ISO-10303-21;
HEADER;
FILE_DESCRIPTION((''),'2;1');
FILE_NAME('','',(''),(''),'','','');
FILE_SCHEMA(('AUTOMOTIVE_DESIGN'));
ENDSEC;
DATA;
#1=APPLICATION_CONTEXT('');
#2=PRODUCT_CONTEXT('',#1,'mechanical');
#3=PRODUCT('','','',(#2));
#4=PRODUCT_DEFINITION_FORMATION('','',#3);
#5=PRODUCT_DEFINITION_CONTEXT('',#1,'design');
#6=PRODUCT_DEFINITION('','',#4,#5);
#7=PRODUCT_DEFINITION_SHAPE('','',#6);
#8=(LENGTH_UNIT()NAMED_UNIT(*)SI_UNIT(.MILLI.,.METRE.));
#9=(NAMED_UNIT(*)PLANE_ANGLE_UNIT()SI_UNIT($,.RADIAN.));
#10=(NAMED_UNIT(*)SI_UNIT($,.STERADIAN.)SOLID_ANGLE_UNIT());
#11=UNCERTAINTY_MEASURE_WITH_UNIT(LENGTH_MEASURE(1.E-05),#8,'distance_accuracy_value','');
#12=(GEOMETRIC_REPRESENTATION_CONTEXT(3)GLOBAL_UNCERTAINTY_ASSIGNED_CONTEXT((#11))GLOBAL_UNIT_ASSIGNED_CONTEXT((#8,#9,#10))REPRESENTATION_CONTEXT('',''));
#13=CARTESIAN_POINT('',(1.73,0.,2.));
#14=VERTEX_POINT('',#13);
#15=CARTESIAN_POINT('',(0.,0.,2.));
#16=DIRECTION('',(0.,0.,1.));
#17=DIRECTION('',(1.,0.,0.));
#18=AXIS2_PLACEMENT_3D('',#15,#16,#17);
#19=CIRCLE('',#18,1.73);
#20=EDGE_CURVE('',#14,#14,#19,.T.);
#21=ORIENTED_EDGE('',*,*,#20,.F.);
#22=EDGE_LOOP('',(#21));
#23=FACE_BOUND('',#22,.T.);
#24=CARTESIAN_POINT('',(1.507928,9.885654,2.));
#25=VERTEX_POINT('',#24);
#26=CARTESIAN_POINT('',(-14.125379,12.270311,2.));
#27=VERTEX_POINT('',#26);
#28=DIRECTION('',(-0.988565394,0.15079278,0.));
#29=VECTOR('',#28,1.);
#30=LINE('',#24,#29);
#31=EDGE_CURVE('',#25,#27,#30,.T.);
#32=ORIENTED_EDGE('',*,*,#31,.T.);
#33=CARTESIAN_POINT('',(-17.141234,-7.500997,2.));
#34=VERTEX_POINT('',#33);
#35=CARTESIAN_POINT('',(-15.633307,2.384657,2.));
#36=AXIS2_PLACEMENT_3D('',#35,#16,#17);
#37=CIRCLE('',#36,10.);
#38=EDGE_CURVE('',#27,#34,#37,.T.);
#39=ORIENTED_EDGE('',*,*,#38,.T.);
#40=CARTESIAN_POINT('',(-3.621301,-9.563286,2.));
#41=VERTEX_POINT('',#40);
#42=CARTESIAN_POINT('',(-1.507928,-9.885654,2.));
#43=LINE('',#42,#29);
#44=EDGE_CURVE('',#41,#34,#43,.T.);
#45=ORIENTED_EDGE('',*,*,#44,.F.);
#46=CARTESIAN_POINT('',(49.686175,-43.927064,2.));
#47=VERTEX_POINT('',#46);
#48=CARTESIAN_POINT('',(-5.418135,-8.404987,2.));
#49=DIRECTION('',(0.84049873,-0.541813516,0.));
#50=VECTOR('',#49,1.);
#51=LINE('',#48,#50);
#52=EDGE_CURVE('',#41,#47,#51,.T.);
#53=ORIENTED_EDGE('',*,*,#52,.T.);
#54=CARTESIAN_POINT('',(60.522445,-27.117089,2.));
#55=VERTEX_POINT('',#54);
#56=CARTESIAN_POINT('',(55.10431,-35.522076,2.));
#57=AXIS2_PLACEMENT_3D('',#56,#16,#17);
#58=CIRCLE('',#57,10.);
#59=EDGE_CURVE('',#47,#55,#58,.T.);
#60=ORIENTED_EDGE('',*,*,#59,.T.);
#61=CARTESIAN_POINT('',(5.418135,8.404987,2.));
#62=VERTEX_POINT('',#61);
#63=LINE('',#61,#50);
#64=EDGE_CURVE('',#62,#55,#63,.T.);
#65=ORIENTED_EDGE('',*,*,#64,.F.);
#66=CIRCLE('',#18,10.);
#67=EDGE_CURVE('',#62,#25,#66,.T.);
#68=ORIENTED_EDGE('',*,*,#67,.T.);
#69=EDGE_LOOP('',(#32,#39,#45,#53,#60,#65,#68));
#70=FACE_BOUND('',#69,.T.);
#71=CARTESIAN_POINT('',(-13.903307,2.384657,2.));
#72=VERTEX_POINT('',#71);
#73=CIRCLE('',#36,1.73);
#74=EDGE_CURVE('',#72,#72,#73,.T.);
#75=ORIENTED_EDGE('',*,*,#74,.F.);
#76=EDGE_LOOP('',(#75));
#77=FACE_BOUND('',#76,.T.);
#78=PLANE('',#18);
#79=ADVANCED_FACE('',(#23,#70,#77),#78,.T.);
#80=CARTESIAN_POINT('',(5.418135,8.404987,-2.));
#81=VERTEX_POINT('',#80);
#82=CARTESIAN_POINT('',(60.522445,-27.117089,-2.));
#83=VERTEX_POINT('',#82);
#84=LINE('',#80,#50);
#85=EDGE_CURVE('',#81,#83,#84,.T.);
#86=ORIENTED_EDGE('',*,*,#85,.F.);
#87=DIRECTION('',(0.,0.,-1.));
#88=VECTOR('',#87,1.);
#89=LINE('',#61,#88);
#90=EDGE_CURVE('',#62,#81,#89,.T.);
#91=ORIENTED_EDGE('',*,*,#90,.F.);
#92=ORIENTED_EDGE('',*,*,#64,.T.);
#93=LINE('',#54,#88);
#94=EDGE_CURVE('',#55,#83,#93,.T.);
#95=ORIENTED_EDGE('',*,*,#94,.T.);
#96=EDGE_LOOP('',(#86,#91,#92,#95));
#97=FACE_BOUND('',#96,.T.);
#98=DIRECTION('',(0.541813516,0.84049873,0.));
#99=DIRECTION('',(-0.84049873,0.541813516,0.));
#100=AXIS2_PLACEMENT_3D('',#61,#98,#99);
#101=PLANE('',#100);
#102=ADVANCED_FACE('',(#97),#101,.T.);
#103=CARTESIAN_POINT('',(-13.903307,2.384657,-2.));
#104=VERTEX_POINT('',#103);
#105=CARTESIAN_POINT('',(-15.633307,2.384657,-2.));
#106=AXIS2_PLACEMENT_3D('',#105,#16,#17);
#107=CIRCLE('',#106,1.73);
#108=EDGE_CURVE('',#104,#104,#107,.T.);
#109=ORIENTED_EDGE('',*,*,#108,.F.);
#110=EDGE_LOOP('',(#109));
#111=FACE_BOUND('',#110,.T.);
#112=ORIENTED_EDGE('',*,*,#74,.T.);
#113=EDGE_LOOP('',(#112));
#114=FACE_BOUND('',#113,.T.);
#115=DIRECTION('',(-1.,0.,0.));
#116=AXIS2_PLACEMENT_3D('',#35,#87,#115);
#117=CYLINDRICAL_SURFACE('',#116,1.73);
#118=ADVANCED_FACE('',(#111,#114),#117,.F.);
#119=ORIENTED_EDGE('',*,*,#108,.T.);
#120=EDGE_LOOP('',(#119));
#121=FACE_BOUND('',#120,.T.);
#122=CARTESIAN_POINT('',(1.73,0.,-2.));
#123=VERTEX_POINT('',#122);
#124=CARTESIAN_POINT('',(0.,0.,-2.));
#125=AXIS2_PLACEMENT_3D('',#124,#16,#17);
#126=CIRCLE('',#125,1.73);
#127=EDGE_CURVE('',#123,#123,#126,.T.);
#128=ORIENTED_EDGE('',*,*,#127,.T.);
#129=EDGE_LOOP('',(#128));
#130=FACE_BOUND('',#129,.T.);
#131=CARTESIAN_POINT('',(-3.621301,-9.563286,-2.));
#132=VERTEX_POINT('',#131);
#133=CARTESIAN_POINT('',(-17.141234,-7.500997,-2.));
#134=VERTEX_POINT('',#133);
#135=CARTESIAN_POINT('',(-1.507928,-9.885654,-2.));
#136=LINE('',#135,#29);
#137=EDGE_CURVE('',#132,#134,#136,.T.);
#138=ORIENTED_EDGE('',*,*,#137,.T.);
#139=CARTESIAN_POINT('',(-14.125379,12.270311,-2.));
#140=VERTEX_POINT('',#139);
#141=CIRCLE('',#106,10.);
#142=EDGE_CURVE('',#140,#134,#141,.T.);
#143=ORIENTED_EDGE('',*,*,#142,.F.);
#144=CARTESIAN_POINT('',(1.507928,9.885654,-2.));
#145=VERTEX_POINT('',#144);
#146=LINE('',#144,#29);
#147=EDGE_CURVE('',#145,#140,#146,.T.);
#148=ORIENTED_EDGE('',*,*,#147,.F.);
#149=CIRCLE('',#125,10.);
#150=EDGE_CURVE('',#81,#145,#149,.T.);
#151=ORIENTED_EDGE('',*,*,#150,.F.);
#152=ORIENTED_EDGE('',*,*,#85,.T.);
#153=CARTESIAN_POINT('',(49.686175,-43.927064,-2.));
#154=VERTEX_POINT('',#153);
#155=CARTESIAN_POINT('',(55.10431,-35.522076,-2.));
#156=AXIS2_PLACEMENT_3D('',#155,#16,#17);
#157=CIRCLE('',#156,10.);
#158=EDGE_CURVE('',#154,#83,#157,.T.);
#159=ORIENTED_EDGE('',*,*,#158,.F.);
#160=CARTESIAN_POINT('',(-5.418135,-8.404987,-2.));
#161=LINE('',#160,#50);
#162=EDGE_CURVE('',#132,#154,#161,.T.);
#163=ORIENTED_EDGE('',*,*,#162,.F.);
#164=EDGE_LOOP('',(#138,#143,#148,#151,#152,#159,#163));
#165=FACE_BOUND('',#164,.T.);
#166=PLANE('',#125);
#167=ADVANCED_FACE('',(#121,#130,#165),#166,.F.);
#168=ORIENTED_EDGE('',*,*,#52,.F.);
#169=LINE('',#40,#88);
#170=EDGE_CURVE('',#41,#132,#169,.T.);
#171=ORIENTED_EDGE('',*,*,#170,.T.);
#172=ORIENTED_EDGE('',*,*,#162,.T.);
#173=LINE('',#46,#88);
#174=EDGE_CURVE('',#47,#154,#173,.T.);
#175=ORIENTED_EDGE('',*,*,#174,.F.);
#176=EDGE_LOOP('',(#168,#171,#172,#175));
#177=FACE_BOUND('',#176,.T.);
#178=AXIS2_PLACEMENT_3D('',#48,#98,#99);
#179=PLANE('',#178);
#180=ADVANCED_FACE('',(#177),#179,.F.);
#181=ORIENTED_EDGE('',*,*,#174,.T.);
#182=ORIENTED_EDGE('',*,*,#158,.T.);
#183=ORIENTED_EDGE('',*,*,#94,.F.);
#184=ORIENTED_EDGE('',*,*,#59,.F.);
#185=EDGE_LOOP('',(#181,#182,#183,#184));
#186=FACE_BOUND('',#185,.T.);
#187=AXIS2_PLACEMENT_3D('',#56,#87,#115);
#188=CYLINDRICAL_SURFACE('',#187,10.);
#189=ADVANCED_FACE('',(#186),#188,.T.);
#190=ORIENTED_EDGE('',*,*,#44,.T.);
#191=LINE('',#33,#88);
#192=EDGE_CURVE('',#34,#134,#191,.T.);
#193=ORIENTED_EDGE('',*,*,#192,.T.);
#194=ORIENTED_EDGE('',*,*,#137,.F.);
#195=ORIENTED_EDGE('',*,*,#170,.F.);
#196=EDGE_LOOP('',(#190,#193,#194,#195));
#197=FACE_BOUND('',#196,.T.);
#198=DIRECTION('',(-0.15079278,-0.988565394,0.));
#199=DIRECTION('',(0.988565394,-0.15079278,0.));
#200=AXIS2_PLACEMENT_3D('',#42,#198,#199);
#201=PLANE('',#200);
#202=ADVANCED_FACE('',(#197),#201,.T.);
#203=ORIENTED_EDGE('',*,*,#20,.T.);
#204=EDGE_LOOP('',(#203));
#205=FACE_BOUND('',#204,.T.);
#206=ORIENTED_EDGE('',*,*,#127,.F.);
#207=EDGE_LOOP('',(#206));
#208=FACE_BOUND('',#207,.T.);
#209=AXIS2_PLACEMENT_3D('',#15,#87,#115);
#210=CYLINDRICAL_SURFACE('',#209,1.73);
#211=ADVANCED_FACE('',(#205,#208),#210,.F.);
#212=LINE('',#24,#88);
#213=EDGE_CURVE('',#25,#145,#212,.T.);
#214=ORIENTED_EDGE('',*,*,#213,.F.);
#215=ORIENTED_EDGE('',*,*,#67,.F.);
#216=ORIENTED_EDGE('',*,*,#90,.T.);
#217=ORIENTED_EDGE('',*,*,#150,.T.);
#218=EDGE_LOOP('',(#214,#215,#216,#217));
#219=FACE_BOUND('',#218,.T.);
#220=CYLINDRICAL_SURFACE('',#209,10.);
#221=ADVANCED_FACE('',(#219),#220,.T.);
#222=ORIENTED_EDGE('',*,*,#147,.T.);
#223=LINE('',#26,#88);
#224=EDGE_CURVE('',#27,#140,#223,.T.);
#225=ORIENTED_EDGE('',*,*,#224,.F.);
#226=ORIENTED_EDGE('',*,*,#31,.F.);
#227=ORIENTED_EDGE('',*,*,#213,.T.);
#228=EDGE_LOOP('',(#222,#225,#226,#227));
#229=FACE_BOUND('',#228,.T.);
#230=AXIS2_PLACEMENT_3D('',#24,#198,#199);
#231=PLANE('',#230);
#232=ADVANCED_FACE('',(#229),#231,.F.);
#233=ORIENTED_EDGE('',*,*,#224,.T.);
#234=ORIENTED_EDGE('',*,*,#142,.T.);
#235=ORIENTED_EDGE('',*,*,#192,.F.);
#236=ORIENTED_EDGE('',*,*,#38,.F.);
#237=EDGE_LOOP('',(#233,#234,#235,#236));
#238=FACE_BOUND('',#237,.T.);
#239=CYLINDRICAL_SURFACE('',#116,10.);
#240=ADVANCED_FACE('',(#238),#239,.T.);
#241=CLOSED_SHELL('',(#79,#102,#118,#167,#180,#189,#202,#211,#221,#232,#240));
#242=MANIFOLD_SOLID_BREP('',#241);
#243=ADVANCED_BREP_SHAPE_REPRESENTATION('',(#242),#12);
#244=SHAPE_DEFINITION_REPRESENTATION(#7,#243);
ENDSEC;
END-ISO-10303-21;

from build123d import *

# Parameters (mm, degrees)
SKETCH1_R           = 1.73
BOSS_EXTRUDE1_DEPTH = 2


with BuildPart() as part:
    # Sketch1 → Boss-Extrude1 (new body, symmetric)
    with BuildSketch(Plane.XY):
        with BuildLine():
            Line((-17.141234423, -7.500996555), (-3.621301313, -9.563286323))
            Line((-3.621301313, -9.563286323), (-5.418135156, -8.404987295))
            ThreePointArc((-5.418135156, -8.404987295), (-9.351968753, 3.541282315), (1.507927798, 9.885653937))
            Line((1.507927798, 9.885653937), (-14.125378827, 12.270311319))
            ThreePointArc((-14.125378827, 12.270311319), (-25.518960562, 3.89258518), (-17.141234423, -7.500996555))
        make_face()
        with Locations((-15.633306625, 2.384657382)):
            Circle(SKETCH1_R, mode=Mode.SUBTRACT)
        with BuildLine():
            Line((-3.621301313, -9.563286323), (-1.507927798, -9.885653937))
            ThreePointArc((-1.507927798, -9.885653937), (9.351968753, -3.541282315), (5.418135156, 8.404987295))
            ThreePointArc((5.418135156, 8.404987295), (3.541282315, 9.351968753), (1.507927798, 9.885653937))
            ThreePointArc((1.507927798, 9.885653937), (-9.351968753, 3.541282315), (-5.418135156, -8.404987295))
            Line((-5.418135156, -8.404987295), (-3.621301313, -9.563286323))
        make_face()
        Circle(SKETCH1_R, mode=Mode.SUBTRACT)
        with BuildLine():
            ThreePointArc((5.418135156, 8.404987295), (9.351968753, -3.541282315), (-1.507927798, -9.885653937))
            Line((-1.507927798, -9.885653937), (-3.621301313, -9.563286323))
            Line((-3.621301313, -9.563286323), (49.686174905, -43.927063542))
            ThreePointArc((49.686174905, -43.927063542), (63.509297356, -40.940211402), (60.522445216, -27.117088952))
            Line((60.522445216, -27.117088952), (5.418135156, 8.404987295))
        make_face()
    extrude(amount=BOSS_EXTRUDE1_DEPTH, both=True)


solid = part.part
